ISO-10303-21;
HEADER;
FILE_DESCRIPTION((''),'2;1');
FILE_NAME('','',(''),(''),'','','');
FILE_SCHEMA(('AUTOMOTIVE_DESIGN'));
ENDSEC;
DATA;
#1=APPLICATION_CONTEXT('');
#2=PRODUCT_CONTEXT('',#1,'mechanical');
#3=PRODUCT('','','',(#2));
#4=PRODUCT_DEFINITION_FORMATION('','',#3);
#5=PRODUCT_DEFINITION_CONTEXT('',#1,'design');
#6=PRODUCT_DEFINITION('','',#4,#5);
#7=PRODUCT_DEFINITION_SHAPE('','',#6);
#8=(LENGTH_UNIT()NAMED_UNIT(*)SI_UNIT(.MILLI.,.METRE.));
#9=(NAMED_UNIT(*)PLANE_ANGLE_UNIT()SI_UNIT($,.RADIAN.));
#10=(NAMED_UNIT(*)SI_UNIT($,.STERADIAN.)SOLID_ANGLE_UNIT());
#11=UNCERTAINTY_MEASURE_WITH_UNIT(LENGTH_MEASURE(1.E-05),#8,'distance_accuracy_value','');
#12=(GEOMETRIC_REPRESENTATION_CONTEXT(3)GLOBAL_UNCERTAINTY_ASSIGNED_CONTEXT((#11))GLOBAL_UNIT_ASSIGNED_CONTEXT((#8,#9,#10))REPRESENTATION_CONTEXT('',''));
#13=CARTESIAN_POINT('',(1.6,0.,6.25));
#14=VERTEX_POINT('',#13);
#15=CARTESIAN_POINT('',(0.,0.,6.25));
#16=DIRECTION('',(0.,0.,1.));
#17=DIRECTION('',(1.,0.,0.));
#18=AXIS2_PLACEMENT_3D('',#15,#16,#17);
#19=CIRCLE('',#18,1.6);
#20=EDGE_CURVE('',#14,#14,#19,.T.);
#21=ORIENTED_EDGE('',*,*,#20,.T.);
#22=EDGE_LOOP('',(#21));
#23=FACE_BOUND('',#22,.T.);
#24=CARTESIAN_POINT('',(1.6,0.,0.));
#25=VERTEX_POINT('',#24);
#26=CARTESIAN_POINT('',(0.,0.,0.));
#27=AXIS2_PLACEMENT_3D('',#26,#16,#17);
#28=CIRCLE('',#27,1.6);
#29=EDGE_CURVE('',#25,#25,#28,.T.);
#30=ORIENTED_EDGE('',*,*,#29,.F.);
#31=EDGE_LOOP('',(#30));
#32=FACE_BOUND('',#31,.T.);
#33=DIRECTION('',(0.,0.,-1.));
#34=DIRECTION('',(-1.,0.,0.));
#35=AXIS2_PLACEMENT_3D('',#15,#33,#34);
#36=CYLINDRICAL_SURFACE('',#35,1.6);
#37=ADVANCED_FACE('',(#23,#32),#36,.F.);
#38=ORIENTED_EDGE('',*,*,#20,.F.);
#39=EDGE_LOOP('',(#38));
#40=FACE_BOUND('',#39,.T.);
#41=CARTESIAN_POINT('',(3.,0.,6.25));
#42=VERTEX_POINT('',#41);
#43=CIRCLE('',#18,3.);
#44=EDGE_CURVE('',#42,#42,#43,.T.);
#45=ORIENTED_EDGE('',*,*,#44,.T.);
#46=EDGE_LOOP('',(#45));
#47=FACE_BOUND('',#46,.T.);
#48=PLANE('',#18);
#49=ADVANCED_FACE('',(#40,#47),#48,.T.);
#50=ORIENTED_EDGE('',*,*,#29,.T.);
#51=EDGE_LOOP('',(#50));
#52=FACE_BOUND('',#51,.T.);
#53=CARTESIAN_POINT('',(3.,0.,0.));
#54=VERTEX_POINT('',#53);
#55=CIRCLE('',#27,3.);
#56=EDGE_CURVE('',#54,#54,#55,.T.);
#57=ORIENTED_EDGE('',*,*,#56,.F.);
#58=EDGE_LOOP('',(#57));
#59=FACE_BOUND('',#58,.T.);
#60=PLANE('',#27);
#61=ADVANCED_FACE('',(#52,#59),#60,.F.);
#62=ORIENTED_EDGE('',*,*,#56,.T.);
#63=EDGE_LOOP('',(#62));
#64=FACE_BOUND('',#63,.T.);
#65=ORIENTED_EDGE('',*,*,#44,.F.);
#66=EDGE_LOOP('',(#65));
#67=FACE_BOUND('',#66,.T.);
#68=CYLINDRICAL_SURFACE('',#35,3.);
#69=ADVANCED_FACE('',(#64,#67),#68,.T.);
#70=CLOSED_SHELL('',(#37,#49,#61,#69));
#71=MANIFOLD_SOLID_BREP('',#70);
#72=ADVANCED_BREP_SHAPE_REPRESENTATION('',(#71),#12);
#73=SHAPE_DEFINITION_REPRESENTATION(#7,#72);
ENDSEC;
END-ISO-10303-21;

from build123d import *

# Parameters (mm, degrees)
SKETCH_1_R      = 3
SKETCH_1_R_2    = 1.6
EXTRUDE_1_DEPTH = 6.25


with BuildPart() as part:
    # ｽｹｯﾁ1 → ﾎﾞｽ - 押し出し1 (new body)
    with BuildSketch(Plane.XY):
        Circle(SKETCH_1_R)
        Circle(SKETCH_1_R_2, mode=Mode.SUBTRACT)
    extrude(amount=EXTRUDE_1_DEPTH)


solid = part.part
